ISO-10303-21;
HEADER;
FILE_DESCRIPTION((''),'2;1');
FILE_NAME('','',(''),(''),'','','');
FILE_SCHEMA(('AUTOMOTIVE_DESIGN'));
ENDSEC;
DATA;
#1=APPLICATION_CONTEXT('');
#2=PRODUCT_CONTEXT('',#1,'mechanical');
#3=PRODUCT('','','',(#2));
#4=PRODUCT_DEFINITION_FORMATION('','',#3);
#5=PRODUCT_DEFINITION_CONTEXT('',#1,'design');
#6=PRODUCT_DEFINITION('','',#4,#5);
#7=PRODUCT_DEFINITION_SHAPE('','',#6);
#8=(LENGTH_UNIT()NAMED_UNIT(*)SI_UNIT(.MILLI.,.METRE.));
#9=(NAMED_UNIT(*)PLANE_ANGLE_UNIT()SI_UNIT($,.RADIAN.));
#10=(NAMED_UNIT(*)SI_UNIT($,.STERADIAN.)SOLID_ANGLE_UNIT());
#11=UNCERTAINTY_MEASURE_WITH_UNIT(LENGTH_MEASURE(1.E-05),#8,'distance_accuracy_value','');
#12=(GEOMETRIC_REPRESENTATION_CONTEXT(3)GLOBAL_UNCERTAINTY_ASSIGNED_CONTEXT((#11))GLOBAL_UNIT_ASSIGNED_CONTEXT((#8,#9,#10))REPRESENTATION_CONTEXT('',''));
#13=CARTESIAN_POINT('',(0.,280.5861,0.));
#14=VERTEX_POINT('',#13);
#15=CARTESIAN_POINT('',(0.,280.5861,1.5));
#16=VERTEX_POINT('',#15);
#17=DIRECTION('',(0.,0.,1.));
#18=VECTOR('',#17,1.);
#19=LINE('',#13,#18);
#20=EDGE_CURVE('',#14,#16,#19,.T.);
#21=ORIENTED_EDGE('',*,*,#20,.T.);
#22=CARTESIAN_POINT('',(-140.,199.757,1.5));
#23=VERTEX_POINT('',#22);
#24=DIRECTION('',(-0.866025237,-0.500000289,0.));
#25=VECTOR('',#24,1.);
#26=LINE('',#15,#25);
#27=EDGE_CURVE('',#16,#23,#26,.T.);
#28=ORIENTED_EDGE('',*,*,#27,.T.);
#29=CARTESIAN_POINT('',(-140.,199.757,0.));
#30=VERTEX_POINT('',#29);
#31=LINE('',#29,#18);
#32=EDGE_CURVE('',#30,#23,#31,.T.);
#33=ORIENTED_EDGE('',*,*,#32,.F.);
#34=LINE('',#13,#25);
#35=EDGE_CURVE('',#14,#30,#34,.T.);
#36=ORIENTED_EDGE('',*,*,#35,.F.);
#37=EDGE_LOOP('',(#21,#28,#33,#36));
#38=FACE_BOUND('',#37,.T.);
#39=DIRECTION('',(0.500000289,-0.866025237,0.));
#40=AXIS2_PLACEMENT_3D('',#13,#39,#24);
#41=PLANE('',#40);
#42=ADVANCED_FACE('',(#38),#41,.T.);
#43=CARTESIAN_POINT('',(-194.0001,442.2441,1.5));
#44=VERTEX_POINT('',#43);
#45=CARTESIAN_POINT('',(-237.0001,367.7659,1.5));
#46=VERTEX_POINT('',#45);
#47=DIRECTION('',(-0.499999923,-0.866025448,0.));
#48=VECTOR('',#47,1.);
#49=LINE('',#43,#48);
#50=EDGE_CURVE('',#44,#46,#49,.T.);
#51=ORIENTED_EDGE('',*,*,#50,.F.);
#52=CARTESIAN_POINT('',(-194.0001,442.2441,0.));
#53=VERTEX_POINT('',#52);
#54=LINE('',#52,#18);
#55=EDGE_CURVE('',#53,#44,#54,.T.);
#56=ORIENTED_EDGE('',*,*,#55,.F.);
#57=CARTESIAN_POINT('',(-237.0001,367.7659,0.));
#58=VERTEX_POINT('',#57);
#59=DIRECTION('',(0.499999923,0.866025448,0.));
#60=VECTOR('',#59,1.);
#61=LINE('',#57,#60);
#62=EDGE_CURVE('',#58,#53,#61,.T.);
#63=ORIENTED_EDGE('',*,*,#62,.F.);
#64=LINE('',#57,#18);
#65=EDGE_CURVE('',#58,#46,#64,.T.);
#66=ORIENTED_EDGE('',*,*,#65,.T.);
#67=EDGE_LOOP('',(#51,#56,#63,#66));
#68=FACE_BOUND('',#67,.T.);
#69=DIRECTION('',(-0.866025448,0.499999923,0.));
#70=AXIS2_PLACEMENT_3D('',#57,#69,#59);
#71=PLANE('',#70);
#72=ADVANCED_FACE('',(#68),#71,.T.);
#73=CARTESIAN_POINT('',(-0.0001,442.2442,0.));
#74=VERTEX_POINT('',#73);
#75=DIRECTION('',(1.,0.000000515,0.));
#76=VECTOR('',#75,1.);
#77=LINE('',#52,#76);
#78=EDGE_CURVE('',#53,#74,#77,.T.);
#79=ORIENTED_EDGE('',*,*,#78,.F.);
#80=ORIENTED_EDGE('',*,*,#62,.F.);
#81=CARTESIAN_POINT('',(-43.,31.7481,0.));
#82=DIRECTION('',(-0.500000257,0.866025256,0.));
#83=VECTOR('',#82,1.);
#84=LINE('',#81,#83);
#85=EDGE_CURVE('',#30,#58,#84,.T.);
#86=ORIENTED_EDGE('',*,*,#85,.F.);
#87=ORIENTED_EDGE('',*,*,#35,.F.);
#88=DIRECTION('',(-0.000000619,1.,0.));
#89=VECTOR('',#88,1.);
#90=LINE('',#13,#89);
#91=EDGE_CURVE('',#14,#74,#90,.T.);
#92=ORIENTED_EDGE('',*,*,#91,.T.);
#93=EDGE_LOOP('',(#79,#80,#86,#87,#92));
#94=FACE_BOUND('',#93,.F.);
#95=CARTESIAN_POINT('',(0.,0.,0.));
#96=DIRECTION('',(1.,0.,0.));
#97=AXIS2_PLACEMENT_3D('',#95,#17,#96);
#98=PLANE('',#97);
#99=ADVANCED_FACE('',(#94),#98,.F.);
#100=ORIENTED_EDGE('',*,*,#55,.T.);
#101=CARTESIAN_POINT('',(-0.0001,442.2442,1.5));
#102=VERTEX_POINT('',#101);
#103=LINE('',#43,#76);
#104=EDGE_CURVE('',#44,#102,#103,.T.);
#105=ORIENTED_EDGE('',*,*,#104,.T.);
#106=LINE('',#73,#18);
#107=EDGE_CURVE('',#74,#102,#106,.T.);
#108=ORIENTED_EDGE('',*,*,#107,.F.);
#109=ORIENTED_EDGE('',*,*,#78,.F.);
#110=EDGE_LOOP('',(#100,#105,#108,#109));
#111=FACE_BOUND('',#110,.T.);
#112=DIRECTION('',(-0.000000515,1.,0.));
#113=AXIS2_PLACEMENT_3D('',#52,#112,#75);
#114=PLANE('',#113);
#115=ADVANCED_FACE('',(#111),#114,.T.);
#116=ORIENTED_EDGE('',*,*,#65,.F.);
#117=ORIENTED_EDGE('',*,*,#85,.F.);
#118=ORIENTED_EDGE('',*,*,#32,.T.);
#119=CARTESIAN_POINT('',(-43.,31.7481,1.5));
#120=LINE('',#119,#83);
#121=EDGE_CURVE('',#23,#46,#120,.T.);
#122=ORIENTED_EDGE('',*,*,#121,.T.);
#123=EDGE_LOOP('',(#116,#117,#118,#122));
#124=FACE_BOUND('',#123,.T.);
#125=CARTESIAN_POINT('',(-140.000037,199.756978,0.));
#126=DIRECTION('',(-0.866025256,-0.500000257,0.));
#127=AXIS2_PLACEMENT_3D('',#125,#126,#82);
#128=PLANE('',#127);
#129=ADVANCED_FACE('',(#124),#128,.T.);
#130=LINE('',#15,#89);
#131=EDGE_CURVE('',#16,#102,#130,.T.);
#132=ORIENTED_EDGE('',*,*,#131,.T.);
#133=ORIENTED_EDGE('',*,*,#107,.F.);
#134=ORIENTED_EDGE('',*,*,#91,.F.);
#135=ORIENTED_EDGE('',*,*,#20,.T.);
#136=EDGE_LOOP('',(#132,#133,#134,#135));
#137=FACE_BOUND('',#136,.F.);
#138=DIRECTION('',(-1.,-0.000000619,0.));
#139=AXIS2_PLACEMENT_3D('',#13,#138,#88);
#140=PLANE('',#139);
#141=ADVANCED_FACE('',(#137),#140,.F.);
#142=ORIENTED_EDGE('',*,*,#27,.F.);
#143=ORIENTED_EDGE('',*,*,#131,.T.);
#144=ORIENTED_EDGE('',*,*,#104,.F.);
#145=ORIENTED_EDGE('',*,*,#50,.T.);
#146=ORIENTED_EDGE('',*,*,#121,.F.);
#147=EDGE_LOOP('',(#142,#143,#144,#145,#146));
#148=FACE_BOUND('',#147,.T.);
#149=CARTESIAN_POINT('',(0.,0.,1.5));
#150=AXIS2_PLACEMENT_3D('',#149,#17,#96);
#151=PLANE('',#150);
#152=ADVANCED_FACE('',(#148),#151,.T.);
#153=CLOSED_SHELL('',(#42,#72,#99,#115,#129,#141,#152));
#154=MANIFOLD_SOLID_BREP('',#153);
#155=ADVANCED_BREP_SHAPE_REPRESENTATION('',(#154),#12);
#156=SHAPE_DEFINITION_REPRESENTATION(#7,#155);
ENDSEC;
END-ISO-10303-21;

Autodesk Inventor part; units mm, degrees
ref_plane "YZ Plane" through (0, 0, 0) normal (1, 0, 0) x (0, 1, 0)
ref_plane "XZ Plane" through (0, 0, 0) normal (0, 1, 0) x (-1, 0, 0)
ref_plane "XY Plane" through (0, 0, 0) normal (0, 0, 1) x (1, 0, 0)
sketch "Sketch1" plane through (0, 0, 0) normal (0, 0, 1) x (1, 0, 0)
  arc A0 (-16.5011, 13.8506) -> (-21.6973, 4.8506) centre (-16.5011, 7.8506) ccw projected
  line L0 (-16.5011, 13.8506) -> (16.5011, 13.8506) projected
  arc A1 (21.6973, 4.8506) -> (16.5011, 13.8506) centre (16.5011, 7.8506) ccw projected
  line L1 (21.6973, 4.8506) -> (13.3257, -9.6494) projected
  arc A2 (5.5315, -14.1494) -> (13.3257, -9.6494) centre (5.5315, -5.1494) ccw projected
  line L2 (5.5315, -14.1494) -> (-5.5315, -14.1494) projected
  arc A3 (-13.3257, -9.6494) -> (-5.5315, -14.1494) centre (-5.5315, -5.1494) ccw projected
  line L3 (-13.3257, -9.6494) -> (-21.6973, 4.8506) projected
  line L4 (10, -20.5494) -> (10, -40.5494) projected
  line L5 (10, -40.5494) -> (-10, -40.5494) projected
  line L6 (-10, -40.5494) -> (-10, -20.5494) projected
  line L7 (-10, -20.5494) -> (10, -20.5494) projected
  line L8 (-43, 31.7481) -> (-15, -16.7494) projected
  line L9 (-15, -16.7494) -> (-32.2735, -26.7222) projected
  arc A4 (-32.2735, -26.7222) -> (32.2735, -26.7222) centre (0, -5.7301) ccw projected
  line L10 (32.2735, -26.7222) -> (15, -16.7494) projected
  line L11 (15, -16.7494) -> (43, 31.7481) projected
  line L12 (43, 31.7481) -> (38.6699, 34.2481) projected
  line L13 (38.6699, 34.2481) -> (31.7143, 22.2006) projected
  arc A5 (23.4871, 17.4506) -> (31.7143, 22.2006) centre (23.4871, 26.9506) ccw projected
  line L14 (23.4871, 17.4506) -> (-23.4871, 17.4506) projected
  arc A6 (-31.7143, 22.2006) -> (-23.4871, 17.4506) centre (-23.4871, 26.9506) ccw projected
  line L15 (-31.7143, 22.2006) -> (-38.6699, 34.2481) projected
  line L16 (-38.6699, 34.2481) -> (-43, 31.7481) projected
  arc A7 (-222.7491, 428.2441) -> (-227.9453, 437.2441) centre (-227.9453, 431.2441) ccw projected
  line L17 (-222.7491, 428.2441) -> (-239.2502, 399.6633) projected
  arc A8 (-249.6425, 399.6633) -> (-239.2502, 399.6633) centre (-244.4464, 402.6633) ccw projected
  line L18 (-249.6425, 399.6633) -> (-258.0141, 414.1633) projected
  arc A9 (-258.0141, 423.1633) -> (-258.0141, 414.1633) centre (-250.2199, 418.6633) ccw projected
  line L19 (-258.0141, 423.1633) -> (-252.4827, 432.7441) projected
  arc A10 (-244.6884, 437.2441) -> (-252.4827, 432.7441) centre (-244.6884, 428.2441) ccw projected
  line L20 (-244.6884, 437.2441) -> (-227.9453, 437.2441) projected
  line L21 (-265.791, 422.4934) -> (-283.1115, 432.4934) projected
  line L22 (-283.1115, 432.4934) -> (-273.1115, 449.8139) projected
  line L23 (-273.1115, 449.8139) -> (-255.791, 439.8139) projected
  line L24 (-255.791, 439.8139) -> (-265.791, 422.4934) projected
  line L25 (-194.0001, 442.2441) -> (-250.0001, 442.2441) projected
  line L26 (-250.0001, 442.2441) -> (-250.0001, 462.1898) projected
  arc A11 (-250.0001, 462.1898) -> (-282.2736, 406.2904) centre (-247.9571, 423.7441) ccw projected
  line L27 (-282.2736, 406.2904) -> (-265.0001, 416.2633) projected
  line L28 (-265.0001, 416.2633) -> (-237.0001, 367.7659) projected
  line L29 (-237.0001, 367.7659) -> (-232.6699, 370.2659) projected
  line L30 (-232.6699, 370.2659) -> (-239.6255, 382.3133) projected
  arc A12 (-239.6255, 391.8133) -> (-239.6255, 382.3133) centre (-231.3983, 387.0633) ccw projected
  line L31 (-239.6255, 391.8133) -> (-216.1385, 432.4941) projected
  arc A13 (-207.9112, 437.2441) -> (-216.1385, 432.4941) centre (-207.9112, 427.7441) ccw projected
  line L32 (-207.9112, 437.2441) -> (-194.0001, 437.2441) projected
  line L33 (-194.0001, 437.2441) -> (-194.0001, 442.2441) projected
  arc A14 (239.2501, 399.6635) -> (249.6424, 399.6635) centre (244.4463, 402.6635) ccw projected
  line L34 (239.2501, 399.6635) -> (222.749, 428.2443) projected
  arc A15 (227.9452, 437.2443) -> (222.749, 428.2443) centre (227.9452, 431.2443) ccw projected
  line L35 (227.9452, 437.2443) -> (244.6883, 437.2443) projected
  arc A16 (252.4825, 432.7443) -> (244.6883, 437.2443) centre (244.6883, 428.2443) ccw projected
  line L36 (252.4825, 432.7443) -> (258.014, 423.1635) projected
  arc A17 (258.014, 414.1635) -> (258.014, 423.1635) centre (250.2198, 418.6635) ccw projected
  line L37 (258.014, 414.1635) -> (249.6424, 399.6635) projected
  line L38 (255.7908, 439.8142) -> (273.1113, 449.8142) projected
  line L39 (273.1113, 449.8142) -> (283.1113, 432.4937) projected
  line L40 (283.1113, 432.4937) -> (265.7908, 422.4937) projected
  line L41 (265.7908, 422.4937) -> (255.7908, 439.8142) projected
  line L42 (237, 367.7661) -> (264.9999, 416.2635) projected
  line L43 (264.9999, 416.2635) -> (282.2735, 406.2907) projected
  arc A18 (282.2735, 406.2907) -> (249.9999, 462.19) centre (247.957, 423.7443) ccw projected
  line L44 (249.9999, 462.19) -> (249.9999, 442.2443) projected
  line L45 (249.9999, 442.2443) -> (193.9999, 442.2443) projected
  line L46 (193.9999, 442.2443) -> (193.9999, 437.2443) projected
  line L47 (193.9999, 437.2443) -> (207.9111, 437.2443) projected
  arc A19 (216.1383, 432.4943) -> (207.9111, 437.2443) centre (207.9111, 427.7443) ccw projected
  line L48 (216.1383, 432.4943) -> (239.6254, 391.8135) projected
  arc A20 (239.6254, 382.3135) -> (239.6254, 391.8135) centre (231.3982, 387.0635) ccw projected
  line L49 (239.6254, 382.3135) -> (232.6699, 370.2661) projected
  line L50 (232.6699, 370.2661) -> (237, 367.7661) projected
  line L51 (-194.0001, 442.2441) -> (193.9999, 442.2443)
  line L52 (193.9999, 442.2443) -> (237, 367.7661)
  line L53 (237, 367.7661) -> (43, 31.7481)
  line L54 (43, 31.7481) -> (-43, 31.7481)
  line L55 (-43, 31.7481) -> (-237.0001, 367.7659)
  line L56 (-237.0001, 367.7659) -> (-194.0001, 442.2441)
  line L57 (-247.9571, 423.7441) -> (0, 280.5861)
  line L58 (247.957, 423.7443) -> (0, 280.5861)
  line L59 (0, -5.7301) -> (0, 280.5861)
  line L60 (0, 280.5861) -> (140, 199.7571)
  line L61 (0, 280.5861) -> (-140, 199.757)
  line L62 (0, 280.5861) -> (-0.0001, 442.2442)
  point P0 (0, 0)
extrude "Extrusion1" add sketch "Sketch1" along normal blind 1.5 contours L61 L55 L29 L30 L56 L57 | L57 L56 L32 L33 L51 L62 | L30 L29 L56 | L56 L33 L32
properties part number "alu plate" material "Glass"
